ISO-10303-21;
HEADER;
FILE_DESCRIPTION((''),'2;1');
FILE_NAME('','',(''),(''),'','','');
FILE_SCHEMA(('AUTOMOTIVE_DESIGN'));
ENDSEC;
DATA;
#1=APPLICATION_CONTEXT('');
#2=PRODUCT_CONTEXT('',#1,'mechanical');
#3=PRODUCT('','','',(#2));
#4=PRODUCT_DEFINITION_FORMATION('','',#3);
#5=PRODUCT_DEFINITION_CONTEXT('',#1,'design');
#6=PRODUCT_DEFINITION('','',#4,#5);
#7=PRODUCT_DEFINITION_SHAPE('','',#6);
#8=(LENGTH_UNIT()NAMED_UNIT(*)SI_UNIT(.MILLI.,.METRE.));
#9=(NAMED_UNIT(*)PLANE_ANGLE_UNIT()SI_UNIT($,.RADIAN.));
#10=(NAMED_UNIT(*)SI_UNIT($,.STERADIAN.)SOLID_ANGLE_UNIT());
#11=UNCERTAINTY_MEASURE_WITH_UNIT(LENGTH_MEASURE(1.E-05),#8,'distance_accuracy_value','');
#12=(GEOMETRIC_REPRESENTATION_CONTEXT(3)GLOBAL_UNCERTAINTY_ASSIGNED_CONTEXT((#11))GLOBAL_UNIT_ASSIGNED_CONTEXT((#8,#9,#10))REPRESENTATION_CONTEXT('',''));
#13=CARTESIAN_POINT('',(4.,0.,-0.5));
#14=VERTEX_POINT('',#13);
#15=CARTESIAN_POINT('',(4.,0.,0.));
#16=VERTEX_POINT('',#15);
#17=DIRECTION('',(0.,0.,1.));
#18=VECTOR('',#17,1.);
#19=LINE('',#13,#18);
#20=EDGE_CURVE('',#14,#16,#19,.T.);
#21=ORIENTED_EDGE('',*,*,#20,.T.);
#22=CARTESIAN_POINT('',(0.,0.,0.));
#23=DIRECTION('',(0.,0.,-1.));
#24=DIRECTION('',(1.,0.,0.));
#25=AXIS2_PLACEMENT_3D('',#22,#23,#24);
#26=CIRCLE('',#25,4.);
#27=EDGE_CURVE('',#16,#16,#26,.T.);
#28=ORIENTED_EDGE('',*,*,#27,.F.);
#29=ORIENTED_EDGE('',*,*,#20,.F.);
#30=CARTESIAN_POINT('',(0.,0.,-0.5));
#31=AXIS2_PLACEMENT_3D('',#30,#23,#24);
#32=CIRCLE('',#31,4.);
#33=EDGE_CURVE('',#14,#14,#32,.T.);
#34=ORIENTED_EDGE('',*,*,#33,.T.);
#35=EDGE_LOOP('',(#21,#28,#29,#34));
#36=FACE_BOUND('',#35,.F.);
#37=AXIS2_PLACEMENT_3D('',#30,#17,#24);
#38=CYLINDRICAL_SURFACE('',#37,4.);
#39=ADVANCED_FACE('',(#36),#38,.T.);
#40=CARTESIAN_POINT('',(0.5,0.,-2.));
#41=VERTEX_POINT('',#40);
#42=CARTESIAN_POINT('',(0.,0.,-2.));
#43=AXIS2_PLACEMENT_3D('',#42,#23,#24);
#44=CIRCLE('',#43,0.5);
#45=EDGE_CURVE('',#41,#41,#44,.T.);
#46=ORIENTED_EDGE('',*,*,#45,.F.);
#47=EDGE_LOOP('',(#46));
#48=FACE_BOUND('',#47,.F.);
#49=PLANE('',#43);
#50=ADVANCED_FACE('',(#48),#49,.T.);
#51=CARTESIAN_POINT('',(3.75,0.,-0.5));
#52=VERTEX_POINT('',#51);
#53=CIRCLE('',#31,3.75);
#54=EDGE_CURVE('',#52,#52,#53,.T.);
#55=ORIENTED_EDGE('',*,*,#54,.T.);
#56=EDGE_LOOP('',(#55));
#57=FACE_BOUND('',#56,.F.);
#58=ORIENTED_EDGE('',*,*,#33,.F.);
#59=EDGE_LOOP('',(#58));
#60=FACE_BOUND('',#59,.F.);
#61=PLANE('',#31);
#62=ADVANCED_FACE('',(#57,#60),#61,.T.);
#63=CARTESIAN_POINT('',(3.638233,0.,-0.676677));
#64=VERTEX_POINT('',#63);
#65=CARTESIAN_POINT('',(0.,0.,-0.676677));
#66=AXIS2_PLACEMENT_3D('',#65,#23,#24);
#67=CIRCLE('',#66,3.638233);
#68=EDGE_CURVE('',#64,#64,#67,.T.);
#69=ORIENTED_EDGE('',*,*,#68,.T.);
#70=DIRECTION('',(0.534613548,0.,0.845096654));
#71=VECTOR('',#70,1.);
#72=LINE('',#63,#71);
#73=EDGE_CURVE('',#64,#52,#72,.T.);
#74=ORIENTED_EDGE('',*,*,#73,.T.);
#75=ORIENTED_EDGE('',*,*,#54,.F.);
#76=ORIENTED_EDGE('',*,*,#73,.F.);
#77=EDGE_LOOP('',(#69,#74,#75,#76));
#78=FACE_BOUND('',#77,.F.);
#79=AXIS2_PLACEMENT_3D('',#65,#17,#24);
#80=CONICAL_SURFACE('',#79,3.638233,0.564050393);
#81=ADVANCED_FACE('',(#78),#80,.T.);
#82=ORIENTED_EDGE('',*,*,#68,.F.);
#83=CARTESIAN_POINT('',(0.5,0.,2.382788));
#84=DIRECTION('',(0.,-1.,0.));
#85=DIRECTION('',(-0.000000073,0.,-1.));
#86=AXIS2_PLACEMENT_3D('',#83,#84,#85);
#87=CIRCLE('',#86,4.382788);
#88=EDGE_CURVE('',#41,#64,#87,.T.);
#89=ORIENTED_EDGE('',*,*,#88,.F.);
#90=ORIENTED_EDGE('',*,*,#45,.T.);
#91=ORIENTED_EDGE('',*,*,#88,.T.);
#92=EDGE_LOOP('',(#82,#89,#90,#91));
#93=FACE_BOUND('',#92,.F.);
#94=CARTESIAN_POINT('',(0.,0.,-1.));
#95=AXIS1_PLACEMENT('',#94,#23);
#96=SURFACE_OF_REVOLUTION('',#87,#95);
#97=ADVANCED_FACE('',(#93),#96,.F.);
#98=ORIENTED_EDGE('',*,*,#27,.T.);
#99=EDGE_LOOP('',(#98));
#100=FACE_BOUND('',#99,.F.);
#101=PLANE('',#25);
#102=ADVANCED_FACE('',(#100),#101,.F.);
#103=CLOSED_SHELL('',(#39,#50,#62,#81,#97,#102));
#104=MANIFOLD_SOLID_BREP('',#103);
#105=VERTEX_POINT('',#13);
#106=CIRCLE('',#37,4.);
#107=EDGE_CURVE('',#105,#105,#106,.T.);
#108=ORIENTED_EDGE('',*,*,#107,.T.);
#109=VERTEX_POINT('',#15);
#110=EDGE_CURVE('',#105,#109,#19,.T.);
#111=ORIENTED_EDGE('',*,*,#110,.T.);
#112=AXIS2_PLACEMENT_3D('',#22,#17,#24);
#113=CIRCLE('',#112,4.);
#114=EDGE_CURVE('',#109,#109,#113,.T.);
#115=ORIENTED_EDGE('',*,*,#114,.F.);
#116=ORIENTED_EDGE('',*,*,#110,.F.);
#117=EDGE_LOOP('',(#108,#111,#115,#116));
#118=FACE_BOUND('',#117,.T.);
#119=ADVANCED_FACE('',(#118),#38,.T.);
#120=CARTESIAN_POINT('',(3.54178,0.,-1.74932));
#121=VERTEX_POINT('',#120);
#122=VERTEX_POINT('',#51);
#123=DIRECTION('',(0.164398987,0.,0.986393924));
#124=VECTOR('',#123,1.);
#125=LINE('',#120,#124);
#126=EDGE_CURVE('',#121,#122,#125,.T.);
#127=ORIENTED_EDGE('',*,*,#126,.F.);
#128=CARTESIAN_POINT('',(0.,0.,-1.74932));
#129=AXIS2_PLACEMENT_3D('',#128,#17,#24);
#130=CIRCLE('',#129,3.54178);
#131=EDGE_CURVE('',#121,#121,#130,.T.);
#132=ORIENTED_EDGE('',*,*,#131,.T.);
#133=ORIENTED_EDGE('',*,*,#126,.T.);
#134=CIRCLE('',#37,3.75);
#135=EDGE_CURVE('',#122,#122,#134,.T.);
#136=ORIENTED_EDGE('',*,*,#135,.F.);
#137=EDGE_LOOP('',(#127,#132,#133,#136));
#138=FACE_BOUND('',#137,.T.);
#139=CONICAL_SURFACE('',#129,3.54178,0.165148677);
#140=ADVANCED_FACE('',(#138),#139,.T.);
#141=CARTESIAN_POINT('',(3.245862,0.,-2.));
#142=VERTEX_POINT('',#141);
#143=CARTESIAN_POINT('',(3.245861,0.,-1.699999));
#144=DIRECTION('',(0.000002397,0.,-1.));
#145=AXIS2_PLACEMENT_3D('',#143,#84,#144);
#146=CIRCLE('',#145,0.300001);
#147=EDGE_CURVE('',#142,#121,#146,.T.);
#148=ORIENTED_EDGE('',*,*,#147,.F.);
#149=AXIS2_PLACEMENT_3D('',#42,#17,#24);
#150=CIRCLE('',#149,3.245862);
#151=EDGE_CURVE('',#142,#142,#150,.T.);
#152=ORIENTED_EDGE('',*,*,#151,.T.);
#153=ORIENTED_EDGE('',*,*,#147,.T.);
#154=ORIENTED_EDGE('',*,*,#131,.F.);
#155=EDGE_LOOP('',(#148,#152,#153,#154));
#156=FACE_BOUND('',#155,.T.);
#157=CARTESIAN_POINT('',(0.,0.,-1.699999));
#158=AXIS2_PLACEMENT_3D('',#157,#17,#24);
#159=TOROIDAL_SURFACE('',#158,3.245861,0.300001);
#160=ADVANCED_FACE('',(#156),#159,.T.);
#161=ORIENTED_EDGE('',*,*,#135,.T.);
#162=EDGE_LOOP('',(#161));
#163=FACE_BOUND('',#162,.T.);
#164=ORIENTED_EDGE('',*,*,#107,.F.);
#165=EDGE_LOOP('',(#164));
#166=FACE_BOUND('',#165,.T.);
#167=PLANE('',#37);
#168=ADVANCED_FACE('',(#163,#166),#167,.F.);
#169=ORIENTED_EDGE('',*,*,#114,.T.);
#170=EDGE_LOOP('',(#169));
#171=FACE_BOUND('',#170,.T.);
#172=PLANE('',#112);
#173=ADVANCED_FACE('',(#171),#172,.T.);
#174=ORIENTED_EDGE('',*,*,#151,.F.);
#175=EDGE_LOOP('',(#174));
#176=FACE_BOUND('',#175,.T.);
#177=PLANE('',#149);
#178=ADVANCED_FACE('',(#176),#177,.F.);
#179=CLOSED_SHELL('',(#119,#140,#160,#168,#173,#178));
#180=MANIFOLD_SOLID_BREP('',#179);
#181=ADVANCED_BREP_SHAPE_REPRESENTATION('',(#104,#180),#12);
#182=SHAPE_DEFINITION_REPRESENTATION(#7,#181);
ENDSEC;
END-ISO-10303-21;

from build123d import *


with BuildPart() as f2:
    # F1 (on Front) → F2 (revolve)
    with BuildSketch(Plane.XZ):
        with BuildLine():
            Line((4, 0), (0, 0))
            Line((0, 0), (0, -2))
            Line((0, -2), (3.245862, -2))
            ThreePointArc((3.245862, -2), (3.439774, -1.928906), (3.54178, -1.74932))
            Line((3.54178, -1.74932), (3.75, -0.5))
            Line((3.75, -0.5), (4, -0.5))
            Line((4, -0.5), (4, 0))
        make_face()
    revolve(axis=Axis((0, 0, -1), (0, 0, 1)))


with BuildPart() as f4:
    # F3 (on Front) → F4 (revolve)
    with BuildSketch(Plane.XZ):
        with BuildLine():
            Line((4, 0), (0, 0))
            Line((0, 0), (0, -2))
            Line((0, -2), (0.5, -2))
            ThreePointArc((0.5, -2), (2.202916, -1.655641), (3.638233, -0.676677))
            Line((3.638233, -0.676677), (3.75, -0.5))
            Line((3.75, -0.5), (4, -0.5))
            Line((4, -0.5), (4, 0))
        make_face()
    revolve(axis=Axis((0, 0, -1), (0, 0, -1)))


solid = Compound([f2.part, f4.part])
